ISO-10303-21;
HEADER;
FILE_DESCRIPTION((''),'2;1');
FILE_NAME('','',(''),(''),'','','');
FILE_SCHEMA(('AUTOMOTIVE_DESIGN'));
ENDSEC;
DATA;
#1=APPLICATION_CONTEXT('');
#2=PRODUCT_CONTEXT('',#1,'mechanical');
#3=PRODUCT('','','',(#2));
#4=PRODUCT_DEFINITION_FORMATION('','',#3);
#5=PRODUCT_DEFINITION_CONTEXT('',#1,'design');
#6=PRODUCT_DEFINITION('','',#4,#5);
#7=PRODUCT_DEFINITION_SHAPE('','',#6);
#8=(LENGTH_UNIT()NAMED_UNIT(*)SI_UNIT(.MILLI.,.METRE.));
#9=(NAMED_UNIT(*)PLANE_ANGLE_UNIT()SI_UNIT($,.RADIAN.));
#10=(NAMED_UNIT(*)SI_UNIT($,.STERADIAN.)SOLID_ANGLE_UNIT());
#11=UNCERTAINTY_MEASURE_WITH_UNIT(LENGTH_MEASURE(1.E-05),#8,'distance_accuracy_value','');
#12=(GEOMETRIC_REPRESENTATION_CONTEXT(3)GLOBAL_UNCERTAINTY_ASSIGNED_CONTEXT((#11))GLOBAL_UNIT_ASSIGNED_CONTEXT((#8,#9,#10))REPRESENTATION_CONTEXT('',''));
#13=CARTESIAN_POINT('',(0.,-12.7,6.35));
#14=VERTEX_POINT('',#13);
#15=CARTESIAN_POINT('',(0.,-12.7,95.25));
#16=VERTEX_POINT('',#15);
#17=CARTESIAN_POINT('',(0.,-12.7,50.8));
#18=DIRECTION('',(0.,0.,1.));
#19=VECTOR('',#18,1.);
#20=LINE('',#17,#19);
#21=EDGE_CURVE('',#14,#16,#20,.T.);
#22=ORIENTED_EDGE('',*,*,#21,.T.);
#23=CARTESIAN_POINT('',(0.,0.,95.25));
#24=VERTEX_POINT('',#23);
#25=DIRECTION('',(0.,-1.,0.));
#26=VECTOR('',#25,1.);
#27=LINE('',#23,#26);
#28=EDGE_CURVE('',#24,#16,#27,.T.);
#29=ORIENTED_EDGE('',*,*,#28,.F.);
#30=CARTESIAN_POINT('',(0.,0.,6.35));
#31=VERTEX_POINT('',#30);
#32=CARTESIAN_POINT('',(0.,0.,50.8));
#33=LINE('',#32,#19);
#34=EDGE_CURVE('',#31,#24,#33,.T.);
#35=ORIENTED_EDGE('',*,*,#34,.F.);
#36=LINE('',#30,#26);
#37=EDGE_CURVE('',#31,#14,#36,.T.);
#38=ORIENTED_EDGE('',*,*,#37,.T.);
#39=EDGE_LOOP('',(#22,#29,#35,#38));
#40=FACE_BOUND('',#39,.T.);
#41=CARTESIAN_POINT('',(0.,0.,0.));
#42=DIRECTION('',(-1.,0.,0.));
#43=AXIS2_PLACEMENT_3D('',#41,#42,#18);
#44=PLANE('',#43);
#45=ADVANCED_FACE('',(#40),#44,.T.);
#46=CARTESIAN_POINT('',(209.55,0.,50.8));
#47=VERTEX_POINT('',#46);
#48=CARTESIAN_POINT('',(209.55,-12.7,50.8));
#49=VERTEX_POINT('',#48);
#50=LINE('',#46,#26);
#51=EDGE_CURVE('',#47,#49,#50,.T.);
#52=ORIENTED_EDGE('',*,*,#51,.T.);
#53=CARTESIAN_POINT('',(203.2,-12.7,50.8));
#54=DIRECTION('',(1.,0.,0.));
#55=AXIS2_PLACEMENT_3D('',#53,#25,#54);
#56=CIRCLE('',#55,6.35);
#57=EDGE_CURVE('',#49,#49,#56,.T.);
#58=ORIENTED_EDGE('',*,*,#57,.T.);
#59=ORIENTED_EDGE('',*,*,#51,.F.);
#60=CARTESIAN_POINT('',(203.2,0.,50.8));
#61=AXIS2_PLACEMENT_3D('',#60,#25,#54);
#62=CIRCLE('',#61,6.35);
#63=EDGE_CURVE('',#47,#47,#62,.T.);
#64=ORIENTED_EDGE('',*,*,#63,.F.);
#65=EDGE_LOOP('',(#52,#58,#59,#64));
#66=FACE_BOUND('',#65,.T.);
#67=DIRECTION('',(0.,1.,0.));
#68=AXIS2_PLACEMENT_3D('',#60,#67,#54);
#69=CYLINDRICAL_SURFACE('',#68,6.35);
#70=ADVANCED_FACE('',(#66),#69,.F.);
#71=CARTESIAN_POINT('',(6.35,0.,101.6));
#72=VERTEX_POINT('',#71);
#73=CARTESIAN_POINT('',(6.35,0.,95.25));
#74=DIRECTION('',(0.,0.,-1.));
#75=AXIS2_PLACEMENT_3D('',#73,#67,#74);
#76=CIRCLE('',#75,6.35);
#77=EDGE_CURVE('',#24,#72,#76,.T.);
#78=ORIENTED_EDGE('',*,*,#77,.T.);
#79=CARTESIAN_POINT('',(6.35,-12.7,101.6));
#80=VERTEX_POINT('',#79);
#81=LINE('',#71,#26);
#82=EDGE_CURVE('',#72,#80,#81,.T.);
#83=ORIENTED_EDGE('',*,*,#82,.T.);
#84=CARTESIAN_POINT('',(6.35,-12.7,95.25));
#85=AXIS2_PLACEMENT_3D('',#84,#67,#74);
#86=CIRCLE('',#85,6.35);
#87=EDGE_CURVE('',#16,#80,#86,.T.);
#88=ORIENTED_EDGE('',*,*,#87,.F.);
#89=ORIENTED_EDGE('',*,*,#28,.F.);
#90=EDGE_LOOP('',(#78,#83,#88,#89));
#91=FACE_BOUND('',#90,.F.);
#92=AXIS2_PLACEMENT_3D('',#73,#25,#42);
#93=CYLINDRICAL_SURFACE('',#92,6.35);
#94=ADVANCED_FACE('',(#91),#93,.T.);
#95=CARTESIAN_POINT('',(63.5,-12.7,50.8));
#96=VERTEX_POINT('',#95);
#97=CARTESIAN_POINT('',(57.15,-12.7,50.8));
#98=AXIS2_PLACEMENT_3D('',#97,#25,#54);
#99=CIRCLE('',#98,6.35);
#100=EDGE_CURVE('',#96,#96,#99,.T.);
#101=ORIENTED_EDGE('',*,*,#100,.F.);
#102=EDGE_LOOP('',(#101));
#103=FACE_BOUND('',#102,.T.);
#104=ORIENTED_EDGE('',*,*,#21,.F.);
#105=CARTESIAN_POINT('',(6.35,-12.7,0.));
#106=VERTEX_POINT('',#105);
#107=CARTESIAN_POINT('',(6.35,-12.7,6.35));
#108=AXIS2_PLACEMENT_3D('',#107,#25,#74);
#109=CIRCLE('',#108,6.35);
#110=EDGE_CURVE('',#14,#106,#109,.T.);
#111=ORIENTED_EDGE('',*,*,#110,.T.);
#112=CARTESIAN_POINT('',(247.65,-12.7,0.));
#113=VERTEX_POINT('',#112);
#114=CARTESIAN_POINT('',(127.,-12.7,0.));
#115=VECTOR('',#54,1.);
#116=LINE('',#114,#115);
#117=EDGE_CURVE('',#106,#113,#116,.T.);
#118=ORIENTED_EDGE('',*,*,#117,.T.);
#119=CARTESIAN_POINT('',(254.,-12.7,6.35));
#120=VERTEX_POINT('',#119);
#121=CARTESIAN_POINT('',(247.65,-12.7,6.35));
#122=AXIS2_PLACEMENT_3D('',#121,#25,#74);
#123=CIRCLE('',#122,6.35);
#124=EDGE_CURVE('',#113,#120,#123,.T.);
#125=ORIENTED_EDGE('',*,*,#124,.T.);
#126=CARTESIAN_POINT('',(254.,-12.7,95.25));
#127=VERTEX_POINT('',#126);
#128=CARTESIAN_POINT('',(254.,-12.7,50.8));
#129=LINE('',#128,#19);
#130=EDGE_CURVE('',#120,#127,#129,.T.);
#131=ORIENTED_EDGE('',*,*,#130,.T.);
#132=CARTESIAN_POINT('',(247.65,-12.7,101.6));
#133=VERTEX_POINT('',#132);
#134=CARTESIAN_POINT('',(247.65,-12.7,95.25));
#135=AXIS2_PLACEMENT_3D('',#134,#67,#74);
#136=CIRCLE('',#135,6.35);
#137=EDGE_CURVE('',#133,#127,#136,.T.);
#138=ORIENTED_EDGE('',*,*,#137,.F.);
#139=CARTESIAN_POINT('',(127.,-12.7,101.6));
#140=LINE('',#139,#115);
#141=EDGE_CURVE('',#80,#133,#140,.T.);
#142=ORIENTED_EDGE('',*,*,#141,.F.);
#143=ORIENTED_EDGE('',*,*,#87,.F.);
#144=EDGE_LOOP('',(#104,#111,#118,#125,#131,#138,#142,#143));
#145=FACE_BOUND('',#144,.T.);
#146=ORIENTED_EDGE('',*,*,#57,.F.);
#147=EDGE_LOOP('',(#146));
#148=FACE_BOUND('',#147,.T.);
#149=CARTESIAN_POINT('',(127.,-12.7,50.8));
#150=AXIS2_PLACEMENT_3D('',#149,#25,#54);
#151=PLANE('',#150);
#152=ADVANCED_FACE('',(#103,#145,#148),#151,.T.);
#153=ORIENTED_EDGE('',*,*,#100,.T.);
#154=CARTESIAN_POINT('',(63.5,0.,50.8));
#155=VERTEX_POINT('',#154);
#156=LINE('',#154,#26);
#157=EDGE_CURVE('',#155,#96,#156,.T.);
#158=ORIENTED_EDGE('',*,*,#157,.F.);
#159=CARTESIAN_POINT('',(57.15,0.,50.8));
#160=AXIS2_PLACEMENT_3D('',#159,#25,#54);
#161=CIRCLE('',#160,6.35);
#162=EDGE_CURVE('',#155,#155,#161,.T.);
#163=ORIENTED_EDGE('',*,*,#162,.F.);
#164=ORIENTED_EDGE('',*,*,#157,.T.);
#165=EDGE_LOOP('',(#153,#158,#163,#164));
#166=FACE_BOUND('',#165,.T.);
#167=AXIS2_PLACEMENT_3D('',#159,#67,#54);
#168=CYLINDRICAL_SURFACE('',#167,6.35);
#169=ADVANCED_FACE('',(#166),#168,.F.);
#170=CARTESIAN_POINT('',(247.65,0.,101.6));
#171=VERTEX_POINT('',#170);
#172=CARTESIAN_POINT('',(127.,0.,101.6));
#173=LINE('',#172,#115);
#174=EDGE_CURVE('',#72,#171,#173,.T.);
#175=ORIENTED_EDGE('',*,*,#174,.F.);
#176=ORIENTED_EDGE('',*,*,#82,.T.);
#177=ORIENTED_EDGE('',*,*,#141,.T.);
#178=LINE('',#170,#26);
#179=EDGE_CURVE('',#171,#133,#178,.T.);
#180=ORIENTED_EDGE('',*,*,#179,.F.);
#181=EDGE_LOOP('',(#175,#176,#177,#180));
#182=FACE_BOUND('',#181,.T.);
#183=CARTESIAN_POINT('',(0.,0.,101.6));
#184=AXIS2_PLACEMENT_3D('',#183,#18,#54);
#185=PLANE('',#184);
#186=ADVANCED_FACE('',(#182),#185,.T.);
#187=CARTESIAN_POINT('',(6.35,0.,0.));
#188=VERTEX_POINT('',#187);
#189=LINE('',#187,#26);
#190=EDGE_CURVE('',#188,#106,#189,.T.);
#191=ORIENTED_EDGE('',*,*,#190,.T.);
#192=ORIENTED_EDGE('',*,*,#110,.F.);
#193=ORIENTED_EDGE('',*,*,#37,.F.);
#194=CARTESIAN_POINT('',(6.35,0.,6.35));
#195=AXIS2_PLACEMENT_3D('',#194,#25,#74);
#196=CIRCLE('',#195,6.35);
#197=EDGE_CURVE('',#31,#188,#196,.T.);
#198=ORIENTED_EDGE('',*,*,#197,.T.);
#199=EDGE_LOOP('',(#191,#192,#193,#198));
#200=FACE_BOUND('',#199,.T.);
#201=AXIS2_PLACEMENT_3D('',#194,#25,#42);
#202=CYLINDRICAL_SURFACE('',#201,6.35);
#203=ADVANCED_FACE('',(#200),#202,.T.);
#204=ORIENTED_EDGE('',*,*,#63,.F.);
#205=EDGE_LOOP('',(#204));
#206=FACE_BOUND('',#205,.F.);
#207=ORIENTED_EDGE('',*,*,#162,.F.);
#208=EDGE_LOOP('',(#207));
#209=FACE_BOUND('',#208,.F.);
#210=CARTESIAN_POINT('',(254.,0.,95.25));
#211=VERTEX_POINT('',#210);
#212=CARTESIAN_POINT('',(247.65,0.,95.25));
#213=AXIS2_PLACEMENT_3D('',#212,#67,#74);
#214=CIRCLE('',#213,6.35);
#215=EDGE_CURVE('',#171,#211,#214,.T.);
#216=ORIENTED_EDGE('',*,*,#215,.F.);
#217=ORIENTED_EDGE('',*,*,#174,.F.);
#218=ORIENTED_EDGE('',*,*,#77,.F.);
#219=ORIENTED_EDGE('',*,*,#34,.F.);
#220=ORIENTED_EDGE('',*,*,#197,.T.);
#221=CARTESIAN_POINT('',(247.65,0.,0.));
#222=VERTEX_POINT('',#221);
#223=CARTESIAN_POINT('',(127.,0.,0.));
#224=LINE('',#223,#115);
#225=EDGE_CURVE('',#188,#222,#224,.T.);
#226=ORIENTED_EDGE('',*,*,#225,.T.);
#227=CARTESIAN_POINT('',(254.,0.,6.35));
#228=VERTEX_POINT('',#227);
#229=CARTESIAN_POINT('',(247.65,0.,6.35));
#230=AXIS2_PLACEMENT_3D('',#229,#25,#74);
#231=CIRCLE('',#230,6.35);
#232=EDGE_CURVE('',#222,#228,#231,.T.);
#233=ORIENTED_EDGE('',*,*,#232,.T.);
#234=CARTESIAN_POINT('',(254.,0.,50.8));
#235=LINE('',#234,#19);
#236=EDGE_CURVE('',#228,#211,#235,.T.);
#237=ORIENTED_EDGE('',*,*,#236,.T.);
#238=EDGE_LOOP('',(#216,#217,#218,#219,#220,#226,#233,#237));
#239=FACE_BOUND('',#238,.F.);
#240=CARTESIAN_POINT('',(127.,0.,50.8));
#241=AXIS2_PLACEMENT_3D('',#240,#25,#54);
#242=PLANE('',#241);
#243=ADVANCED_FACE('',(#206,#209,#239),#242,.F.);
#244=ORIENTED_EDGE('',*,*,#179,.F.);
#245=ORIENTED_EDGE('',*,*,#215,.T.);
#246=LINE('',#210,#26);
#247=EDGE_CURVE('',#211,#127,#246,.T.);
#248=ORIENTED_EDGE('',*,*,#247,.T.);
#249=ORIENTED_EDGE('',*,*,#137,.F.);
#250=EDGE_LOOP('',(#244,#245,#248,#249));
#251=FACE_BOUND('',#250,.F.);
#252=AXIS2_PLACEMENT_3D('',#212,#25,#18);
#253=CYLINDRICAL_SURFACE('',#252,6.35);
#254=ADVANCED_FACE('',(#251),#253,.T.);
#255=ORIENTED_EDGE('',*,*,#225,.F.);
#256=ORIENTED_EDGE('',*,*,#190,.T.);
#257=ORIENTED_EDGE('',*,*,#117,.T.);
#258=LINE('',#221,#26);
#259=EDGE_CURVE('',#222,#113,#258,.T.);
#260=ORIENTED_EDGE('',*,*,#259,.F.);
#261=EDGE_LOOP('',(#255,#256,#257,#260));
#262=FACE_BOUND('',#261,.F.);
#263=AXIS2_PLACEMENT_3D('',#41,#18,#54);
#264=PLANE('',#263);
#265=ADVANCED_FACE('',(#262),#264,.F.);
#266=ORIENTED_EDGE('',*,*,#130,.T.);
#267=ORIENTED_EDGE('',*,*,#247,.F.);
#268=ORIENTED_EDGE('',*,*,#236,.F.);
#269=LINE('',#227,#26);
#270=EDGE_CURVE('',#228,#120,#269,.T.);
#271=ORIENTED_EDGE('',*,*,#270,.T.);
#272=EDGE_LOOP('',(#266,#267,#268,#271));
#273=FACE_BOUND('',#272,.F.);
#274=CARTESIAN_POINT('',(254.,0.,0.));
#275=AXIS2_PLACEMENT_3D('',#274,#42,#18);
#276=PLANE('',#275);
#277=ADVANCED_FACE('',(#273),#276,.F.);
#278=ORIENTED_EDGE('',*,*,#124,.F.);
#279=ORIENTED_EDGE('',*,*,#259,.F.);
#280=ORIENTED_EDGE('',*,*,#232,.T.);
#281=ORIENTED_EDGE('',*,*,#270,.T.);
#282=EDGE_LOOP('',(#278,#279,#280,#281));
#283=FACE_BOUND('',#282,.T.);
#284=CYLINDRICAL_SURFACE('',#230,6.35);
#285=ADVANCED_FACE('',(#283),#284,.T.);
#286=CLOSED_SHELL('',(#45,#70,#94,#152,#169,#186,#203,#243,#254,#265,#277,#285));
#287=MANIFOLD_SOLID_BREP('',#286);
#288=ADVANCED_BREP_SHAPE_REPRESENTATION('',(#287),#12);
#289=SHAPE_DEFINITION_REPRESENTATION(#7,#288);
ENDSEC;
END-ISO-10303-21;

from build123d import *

# Parameters (mm, degrees)
F0_W     = 254
F0_H     = 101.6
F0_R     = 6.35
F1_DEPTH = 12.7
F2_R     = 6.35


with BuildPart() as f1:
    # F0 (on Front) → F1 (new body)
    with BuildSketch(Plane.XZ):
        with Locations((127, 50.8)):
            Rectangle(F0_W, F0_H)
        with Locations((57.15, 50.8)):
            Circle(F0_R, mode=Mode.SUBTRACT)
        with Locations((203.2, 50.8)):
            Circle(F0_R, mode=Mode.SUBTRACT)
    extrude(amount=F1_DEPTH)

    # F2
    f2_edges = [f1.edges().sort_by_distance(p)[0] for p in [
        (0, -6.35, 101.6),
        (0, -6.35, 0),
        (254, -6.35, 0),
        (254, -6.35, 101.6),
    ]]
    fillet(f2_edges, radius=F2_R)


solid = f1.part
